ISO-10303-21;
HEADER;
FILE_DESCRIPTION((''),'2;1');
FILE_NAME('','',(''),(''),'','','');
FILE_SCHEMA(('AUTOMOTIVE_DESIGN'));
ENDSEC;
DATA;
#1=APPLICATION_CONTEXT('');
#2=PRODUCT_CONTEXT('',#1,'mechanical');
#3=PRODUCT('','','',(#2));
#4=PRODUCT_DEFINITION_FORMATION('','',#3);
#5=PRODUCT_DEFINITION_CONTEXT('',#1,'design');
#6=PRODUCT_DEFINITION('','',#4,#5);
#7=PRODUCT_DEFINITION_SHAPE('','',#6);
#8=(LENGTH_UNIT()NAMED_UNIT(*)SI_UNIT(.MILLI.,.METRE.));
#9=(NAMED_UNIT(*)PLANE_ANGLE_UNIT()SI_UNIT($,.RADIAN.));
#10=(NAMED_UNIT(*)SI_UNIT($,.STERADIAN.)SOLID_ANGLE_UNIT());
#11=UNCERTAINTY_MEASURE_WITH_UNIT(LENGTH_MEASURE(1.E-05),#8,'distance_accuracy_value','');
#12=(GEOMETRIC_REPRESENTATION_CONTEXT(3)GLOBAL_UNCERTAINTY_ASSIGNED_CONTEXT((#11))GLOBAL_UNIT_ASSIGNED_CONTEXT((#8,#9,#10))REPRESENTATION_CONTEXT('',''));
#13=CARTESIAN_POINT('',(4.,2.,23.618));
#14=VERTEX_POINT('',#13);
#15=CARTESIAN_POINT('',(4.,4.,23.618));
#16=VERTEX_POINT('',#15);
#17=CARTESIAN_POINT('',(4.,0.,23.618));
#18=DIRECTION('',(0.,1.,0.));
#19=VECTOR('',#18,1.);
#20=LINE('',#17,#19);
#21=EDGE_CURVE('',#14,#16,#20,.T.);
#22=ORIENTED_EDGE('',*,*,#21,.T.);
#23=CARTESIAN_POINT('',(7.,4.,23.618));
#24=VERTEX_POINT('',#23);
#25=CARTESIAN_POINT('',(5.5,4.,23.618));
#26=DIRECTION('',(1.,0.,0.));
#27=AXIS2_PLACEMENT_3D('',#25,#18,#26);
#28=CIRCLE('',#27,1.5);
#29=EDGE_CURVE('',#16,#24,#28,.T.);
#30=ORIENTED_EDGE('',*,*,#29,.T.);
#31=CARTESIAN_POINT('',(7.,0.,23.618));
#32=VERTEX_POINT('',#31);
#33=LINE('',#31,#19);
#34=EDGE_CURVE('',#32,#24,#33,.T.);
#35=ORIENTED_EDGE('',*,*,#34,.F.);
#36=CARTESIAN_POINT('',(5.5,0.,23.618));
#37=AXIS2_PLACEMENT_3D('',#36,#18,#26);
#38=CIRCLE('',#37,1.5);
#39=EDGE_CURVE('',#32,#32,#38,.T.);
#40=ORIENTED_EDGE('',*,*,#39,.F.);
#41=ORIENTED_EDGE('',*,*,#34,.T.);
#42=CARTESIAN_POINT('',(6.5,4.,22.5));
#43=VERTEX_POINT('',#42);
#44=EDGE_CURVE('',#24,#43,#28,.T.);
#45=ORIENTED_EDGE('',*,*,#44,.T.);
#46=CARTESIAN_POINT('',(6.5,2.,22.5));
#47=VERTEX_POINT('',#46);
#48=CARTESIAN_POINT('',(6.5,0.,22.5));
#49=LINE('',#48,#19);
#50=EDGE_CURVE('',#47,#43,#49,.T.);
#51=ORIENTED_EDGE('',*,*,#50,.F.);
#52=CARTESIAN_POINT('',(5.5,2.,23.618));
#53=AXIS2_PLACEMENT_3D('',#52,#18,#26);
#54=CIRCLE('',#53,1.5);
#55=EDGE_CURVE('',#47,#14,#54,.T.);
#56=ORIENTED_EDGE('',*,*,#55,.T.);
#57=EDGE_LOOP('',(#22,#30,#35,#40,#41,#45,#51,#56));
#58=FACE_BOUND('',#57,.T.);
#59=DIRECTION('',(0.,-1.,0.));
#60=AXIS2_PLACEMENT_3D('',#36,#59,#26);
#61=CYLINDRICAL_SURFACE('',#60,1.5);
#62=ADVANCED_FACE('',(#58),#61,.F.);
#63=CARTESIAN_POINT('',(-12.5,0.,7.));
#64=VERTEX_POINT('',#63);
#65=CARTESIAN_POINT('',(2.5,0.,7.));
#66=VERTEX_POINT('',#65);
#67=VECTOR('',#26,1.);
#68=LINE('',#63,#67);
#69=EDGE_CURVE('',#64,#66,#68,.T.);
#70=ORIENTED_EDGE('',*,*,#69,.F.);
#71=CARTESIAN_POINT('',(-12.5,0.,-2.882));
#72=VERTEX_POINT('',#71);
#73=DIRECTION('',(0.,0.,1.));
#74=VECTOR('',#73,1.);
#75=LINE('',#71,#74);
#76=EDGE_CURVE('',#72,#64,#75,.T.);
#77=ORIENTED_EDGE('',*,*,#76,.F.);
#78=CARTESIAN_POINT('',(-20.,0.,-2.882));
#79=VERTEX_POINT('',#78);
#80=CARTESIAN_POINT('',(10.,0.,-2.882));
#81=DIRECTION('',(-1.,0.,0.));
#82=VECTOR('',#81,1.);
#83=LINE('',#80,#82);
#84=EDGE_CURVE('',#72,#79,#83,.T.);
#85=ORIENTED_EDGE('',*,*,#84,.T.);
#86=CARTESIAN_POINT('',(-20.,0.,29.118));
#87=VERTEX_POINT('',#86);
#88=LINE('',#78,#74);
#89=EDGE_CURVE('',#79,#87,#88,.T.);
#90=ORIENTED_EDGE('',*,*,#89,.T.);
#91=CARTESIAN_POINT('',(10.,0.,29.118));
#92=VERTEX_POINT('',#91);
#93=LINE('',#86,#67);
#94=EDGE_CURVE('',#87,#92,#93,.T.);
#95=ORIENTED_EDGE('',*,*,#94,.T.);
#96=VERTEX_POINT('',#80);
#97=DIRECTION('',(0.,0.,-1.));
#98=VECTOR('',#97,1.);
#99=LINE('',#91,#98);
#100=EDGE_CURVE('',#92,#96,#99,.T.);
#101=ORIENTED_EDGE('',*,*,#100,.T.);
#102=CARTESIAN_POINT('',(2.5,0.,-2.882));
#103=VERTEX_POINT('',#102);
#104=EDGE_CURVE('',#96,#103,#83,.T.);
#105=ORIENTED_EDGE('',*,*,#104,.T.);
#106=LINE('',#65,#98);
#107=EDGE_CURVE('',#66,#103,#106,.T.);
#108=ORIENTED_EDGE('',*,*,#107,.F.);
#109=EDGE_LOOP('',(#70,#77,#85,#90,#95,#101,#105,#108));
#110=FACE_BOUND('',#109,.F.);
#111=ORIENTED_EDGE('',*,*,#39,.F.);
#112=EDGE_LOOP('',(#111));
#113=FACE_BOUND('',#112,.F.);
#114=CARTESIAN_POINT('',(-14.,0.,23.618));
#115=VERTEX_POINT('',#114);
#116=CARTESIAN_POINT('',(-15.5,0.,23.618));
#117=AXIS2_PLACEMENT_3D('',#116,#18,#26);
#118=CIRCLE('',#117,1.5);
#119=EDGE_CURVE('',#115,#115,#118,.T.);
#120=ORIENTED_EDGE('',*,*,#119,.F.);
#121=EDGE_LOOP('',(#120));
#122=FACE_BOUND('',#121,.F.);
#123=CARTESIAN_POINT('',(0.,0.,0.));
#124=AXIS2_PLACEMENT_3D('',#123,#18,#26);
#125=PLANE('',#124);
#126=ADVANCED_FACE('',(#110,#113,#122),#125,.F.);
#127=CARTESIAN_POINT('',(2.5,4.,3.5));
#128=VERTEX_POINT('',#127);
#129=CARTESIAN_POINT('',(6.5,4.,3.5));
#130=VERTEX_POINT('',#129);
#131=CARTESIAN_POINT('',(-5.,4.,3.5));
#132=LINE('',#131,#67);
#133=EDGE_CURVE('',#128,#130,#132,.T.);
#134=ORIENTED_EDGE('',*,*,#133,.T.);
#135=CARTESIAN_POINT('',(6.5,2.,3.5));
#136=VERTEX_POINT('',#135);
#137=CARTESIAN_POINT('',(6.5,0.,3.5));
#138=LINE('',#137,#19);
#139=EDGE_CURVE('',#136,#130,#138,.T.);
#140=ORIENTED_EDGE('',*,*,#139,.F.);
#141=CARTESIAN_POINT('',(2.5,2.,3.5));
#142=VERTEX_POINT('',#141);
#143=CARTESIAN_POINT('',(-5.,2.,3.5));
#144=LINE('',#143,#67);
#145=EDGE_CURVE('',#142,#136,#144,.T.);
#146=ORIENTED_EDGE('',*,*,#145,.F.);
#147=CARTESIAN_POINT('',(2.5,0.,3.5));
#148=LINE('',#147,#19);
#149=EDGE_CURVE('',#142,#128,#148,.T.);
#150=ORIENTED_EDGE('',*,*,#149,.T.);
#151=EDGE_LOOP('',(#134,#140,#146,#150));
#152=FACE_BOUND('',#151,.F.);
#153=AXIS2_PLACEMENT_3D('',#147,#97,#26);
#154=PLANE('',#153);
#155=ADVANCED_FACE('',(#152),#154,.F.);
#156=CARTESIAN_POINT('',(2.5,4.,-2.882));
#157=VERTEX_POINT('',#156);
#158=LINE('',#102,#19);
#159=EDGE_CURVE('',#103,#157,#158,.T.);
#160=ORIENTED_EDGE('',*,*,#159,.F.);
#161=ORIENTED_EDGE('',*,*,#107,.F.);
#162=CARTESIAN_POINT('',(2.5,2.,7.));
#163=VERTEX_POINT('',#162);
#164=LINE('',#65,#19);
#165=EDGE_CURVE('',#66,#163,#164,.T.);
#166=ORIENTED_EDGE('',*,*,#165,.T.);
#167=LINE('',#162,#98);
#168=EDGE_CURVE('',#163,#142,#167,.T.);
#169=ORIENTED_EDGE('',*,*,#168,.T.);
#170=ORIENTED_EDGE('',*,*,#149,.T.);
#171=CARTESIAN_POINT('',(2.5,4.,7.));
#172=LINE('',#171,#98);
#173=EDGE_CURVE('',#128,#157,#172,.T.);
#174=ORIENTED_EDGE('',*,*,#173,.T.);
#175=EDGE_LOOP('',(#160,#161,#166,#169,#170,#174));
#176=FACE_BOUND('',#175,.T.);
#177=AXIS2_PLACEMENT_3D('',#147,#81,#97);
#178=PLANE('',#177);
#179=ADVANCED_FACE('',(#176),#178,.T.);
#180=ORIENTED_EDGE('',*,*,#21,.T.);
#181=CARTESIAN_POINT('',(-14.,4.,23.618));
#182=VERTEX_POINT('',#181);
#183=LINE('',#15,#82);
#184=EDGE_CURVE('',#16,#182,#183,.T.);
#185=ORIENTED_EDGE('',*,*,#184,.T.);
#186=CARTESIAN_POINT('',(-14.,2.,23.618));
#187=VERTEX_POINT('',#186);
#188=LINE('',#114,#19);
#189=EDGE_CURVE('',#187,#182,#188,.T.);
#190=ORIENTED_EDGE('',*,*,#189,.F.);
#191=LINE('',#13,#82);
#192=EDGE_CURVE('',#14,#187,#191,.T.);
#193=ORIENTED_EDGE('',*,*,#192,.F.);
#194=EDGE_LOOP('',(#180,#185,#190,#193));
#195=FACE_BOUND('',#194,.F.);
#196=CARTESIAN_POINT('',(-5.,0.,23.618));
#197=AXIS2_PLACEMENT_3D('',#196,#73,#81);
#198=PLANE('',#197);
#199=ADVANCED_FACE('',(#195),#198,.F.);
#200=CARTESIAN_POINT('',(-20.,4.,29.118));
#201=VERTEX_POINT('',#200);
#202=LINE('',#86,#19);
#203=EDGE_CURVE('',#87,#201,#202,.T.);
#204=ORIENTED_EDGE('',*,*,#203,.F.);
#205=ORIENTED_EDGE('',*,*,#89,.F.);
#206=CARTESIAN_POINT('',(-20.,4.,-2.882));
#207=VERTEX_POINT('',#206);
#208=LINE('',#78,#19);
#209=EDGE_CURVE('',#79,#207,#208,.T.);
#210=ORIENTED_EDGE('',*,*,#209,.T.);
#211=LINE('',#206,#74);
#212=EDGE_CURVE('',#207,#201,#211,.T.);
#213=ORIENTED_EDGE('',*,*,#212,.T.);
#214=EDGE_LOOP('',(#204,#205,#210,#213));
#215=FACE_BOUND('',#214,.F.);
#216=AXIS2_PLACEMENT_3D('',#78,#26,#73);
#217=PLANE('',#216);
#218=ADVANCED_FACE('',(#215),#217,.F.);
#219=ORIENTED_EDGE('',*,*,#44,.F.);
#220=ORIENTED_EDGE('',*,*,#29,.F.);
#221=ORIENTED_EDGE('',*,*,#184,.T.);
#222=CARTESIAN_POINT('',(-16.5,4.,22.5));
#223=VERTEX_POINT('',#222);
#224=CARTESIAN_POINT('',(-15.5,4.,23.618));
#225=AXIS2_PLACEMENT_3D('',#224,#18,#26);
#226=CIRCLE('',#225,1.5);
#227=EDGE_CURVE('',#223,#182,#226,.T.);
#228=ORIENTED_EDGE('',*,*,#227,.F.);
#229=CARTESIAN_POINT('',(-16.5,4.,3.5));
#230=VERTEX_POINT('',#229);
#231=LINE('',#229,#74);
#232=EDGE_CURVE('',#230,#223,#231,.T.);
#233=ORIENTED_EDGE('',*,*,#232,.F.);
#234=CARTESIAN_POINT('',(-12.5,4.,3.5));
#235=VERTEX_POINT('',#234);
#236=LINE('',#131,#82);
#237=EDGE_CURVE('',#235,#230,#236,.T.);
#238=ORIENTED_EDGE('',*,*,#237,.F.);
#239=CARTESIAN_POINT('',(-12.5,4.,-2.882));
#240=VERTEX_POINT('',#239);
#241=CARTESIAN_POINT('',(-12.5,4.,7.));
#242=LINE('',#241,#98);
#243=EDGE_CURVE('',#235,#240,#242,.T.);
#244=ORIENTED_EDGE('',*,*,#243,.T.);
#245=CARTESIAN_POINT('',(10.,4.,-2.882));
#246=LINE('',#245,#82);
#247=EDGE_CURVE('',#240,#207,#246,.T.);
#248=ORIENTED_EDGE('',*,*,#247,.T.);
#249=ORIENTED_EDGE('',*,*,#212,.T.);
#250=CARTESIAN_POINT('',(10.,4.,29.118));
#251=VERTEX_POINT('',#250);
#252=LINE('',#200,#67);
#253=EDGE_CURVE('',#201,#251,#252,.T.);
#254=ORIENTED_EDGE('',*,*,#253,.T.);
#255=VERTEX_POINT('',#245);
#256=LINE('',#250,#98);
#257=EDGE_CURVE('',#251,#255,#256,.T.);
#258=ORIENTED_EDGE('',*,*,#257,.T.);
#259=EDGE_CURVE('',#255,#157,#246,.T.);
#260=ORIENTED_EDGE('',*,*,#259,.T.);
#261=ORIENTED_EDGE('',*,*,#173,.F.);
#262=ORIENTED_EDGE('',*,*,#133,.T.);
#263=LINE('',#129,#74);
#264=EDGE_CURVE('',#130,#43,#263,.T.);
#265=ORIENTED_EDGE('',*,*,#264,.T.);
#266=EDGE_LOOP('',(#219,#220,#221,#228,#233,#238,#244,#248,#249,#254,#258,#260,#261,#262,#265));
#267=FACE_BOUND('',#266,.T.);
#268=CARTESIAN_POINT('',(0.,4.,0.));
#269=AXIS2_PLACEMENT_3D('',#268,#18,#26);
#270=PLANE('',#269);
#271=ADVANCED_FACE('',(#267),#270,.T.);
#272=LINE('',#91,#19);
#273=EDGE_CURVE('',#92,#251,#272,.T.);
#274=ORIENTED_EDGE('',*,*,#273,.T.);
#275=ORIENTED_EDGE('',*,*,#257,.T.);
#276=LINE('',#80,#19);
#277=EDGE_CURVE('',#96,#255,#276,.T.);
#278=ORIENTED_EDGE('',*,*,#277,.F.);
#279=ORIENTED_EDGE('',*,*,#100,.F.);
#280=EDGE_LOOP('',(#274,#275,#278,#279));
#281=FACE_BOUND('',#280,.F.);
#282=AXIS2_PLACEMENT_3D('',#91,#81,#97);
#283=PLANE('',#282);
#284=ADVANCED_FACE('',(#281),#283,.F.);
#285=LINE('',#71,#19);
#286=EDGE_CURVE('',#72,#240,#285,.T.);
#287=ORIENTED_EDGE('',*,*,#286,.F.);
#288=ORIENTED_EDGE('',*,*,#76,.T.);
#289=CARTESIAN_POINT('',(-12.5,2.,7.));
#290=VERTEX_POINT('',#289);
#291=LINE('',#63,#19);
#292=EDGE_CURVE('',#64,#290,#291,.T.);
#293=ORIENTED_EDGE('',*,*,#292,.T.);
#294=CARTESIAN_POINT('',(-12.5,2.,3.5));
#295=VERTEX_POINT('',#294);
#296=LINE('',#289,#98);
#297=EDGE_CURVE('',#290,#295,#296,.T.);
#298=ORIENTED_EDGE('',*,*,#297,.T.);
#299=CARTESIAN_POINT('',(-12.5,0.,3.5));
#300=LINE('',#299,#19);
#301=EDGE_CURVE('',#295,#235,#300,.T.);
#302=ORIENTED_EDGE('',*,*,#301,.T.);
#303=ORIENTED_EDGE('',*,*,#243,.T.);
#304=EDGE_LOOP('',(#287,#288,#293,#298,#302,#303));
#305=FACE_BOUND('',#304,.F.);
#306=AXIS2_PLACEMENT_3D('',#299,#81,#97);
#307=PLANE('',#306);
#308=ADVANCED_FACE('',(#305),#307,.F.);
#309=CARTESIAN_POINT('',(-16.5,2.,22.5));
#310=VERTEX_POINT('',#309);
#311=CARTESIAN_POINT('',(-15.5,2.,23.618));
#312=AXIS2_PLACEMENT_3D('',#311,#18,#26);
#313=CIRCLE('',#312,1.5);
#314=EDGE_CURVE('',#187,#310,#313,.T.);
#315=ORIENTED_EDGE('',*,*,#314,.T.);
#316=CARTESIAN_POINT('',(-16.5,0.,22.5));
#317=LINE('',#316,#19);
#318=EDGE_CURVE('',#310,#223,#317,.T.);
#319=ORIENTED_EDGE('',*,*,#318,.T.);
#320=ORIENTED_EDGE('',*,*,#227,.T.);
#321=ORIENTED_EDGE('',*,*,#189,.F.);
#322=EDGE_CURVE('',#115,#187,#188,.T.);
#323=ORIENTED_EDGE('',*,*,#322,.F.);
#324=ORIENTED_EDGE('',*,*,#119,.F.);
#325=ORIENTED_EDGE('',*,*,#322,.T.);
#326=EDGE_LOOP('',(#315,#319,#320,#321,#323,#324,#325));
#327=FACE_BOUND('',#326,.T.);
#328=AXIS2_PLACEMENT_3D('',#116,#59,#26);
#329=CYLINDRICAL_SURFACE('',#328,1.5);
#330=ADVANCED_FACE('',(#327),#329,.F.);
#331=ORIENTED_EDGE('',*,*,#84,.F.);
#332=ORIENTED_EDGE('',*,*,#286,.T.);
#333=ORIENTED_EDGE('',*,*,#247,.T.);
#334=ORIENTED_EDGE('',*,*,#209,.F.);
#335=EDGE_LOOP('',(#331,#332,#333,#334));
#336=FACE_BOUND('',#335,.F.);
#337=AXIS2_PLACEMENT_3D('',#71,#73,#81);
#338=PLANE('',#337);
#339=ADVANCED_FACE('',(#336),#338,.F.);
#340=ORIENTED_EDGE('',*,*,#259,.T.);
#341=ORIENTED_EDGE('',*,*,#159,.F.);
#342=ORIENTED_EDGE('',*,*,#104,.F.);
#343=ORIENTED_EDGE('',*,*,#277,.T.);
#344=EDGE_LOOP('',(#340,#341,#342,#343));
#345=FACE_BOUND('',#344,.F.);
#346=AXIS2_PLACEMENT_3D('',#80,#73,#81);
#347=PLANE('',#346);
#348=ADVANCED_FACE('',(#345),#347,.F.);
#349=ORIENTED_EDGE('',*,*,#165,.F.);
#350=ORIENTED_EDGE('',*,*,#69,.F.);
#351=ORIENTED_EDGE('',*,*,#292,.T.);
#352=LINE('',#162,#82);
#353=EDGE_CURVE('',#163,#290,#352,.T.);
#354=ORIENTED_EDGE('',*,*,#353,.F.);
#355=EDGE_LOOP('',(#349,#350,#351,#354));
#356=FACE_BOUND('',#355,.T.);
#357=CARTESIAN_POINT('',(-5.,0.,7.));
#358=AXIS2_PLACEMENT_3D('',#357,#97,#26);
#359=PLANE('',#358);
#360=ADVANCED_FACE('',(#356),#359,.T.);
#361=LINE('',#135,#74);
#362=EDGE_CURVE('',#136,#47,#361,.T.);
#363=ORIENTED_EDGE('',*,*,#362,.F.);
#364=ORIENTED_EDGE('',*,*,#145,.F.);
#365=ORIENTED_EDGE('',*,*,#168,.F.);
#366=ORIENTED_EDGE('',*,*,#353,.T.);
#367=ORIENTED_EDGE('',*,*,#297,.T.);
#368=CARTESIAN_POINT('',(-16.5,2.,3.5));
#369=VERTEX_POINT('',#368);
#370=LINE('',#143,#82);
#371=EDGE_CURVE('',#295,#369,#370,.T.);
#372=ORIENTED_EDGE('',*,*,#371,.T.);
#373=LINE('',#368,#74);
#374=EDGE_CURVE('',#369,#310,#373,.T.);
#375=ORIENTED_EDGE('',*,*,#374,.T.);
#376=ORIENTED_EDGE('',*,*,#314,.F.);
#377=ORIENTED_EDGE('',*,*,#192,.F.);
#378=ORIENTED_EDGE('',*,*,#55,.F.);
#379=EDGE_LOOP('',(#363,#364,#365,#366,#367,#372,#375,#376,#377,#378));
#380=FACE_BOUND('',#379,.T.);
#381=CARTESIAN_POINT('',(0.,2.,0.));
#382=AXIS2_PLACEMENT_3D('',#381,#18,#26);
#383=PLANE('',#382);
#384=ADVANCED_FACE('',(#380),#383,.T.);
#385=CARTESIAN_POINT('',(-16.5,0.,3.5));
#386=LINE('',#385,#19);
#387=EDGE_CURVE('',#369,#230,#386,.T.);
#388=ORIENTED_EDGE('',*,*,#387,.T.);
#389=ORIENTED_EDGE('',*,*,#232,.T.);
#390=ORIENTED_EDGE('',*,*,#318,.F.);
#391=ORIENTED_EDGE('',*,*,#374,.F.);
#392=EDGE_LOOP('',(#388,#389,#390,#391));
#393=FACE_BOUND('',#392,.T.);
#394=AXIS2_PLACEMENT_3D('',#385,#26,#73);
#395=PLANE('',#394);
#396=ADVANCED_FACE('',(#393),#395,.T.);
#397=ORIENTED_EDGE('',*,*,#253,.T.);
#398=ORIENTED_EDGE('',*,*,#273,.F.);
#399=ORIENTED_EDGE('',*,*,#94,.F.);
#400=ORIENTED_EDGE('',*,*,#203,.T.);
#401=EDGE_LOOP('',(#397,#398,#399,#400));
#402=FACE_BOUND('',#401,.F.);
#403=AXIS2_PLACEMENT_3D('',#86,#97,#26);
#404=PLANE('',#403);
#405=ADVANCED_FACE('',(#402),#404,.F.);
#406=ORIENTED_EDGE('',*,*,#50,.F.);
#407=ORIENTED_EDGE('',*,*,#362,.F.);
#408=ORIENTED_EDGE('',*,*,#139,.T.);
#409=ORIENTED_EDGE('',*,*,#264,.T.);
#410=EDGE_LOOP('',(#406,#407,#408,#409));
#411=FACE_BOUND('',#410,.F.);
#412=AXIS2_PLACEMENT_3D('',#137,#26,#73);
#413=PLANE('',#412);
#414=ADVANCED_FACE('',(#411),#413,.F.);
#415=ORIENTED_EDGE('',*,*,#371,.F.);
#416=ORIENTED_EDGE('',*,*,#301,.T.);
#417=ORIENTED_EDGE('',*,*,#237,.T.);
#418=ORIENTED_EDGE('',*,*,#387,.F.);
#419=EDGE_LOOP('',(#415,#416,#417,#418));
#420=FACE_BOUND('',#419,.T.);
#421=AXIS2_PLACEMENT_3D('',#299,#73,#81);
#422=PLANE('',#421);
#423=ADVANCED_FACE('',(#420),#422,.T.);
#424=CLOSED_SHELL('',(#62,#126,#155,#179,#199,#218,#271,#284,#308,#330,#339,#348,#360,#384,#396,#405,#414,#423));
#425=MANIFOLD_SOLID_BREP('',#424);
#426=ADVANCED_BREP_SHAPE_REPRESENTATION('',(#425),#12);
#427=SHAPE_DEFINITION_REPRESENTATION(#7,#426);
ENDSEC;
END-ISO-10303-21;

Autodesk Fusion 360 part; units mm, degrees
sketch "Sketch3" plane through (0, 0, 0) normal (0, 1, 0) x (1, 0, 0)
  line L0 (10, 2.882) -> (-20, 2.882)
  line L1 (-20, 2.882) -> (-20, -29.118)
  line L2 (-20, -29.118) -> (10, -29.118)
  line L3 (10, -29.118) -> (10, 2.882)
  line L4 (-5, 2.882) -> (-5, -23.618)
  line L5 (-5, -23.618) -> (5.5, -23.618)
  line L6 (-5, -23.618) -> (-15.5, -23.618)
  circle A0 centre (-15.5, -23.618) radius 1.5
  circle A1 centre (5.5, -23.618) radius 1.5
  line L7 (-14, -23.618) -> (4, -23.618)
  line L8 (-5, -3.5) -> (-16.5, -3.5)
  line L9 (-5, -3.5) -> (6.5, -3.5)
  line L10 (-16.5, -3.5) -> (-16.5, -22.5)
  line L11 (6.5, -3.5) -> (6.5, -22.5)
  line L12 (-5, -7) -> (2.5, -7)
  line L13 (-5, -7) -> (-12.5, -7)
  line L14 (-12.5, -7) -> (-12.5, 2.882)
  line L15 (2.5, -7) -> (2.5, 2.882)
  dimension "d32" = 32
  dimension "d33" = 30
  dimension "d37" = 3
  dimension "d38" = 3
  dimension "d39" = 10.5
  dimension "d40" = 10.5
  dimension "d45" = 11.5
  dimension "d46" = 11.5
  dimension "d47" = 19
  dimension "d49" = 26.5
  dimension "d52" = 7.5
  dimension "d53" = 7.5
extrude "Extrude5" add sketch "Sketch3" along normal blind 4 contours L0 L1 L2 L3 L5 L6 A0 A1 L7 L8 L9 L10 L11 L14 L15
extrude "Extrude6" add sketch "Sketch3" along normal blind 2 contours L4 L5 A1 L7 L9 L11 L12 L15 | L4 L6 A0 L7 L8 L10 L13 L14
